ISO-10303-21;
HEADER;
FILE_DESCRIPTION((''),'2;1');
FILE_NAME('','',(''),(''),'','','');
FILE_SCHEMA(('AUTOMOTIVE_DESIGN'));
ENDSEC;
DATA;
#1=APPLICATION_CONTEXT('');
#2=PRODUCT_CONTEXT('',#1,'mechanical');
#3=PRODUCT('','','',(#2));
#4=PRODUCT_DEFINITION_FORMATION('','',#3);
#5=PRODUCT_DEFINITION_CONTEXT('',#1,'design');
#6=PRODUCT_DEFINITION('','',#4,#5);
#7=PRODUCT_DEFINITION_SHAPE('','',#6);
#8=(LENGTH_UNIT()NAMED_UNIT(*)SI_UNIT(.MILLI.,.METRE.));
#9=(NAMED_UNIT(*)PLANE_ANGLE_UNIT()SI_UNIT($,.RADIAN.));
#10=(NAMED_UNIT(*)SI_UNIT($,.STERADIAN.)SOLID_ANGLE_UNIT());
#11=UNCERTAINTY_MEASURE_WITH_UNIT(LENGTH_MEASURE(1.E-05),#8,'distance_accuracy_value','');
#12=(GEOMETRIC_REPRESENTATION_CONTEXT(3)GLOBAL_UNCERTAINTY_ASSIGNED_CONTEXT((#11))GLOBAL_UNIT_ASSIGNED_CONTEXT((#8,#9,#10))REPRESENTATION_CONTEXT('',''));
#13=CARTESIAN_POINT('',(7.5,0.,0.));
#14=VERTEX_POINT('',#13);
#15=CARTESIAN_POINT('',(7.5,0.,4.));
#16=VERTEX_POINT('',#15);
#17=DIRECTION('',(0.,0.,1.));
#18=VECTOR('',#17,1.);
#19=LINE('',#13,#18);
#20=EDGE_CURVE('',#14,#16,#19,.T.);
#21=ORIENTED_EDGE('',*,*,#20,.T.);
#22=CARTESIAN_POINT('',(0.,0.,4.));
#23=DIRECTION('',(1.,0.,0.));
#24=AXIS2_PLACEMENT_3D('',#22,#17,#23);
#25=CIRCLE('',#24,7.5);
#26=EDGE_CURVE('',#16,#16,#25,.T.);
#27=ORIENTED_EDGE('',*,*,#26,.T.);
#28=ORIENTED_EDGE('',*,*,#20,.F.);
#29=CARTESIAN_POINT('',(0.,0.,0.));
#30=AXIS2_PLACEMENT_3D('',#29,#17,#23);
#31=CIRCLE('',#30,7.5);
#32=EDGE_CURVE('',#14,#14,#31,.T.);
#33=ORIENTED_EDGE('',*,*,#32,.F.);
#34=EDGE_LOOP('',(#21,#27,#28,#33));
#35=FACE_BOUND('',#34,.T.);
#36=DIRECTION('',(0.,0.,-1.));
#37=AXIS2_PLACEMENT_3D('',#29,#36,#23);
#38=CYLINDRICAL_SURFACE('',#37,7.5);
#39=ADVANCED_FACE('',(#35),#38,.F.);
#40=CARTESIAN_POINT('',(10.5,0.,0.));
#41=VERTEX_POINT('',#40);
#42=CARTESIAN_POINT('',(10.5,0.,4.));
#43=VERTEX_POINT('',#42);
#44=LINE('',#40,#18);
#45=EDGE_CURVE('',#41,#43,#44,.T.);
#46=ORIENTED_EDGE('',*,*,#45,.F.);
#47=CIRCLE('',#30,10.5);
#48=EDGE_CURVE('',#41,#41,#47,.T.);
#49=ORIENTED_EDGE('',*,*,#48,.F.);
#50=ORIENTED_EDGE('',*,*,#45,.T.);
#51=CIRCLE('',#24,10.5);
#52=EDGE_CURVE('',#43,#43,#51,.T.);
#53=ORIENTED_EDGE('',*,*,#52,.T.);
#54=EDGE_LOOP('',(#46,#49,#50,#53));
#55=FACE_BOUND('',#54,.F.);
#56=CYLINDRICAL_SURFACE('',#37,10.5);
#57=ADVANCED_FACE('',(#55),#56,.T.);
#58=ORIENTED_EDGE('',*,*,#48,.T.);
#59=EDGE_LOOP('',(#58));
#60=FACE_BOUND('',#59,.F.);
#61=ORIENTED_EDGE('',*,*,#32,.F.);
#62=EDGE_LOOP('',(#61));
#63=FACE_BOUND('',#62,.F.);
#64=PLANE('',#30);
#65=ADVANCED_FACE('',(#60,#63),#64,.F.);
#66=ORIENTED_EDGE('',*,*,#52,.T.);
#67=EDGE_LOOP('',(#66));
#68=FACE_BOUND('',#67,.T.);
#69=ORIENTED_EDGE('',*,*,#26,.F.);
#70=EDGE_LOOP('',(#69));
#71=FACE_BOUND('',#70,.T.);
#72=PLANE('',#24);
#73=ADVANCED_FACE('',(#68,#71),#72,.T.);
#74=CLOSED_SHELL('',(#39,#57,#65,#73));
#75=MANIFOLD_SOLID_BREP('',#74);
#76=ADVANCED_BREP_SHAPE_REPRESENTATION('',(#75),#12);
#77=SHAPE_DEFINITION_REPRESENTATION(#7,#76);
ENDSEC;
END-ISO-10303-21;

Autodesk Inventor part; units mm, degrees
ref_plane "YZ Plane" through (0, 0, 0) normal (1, 0, 0) x (0, 1, 0)
ref_plane "XZ Plane" through (0, 0, 0) normal (0, 1, 0) x (-1, 0, 0)
ref_plane "XY Plane" through (0, 0, 0) normal (0, 0, 1) x (1, 0, 0)
sketch "Sketch1" plane through (0, 0, 0) normal (0, 0, 1) x (1, 0, 0)
  circle A0 centre (0, 0) radius 7.5
  circle A1 centre (0, 0) radius 10.5
  dimension "d0" = 15
  dimension "d1" = 21
extrude "Extrusion1" add sketch "Sketch1" along normal blind 4
properties part number "bearing_15_21_4"
